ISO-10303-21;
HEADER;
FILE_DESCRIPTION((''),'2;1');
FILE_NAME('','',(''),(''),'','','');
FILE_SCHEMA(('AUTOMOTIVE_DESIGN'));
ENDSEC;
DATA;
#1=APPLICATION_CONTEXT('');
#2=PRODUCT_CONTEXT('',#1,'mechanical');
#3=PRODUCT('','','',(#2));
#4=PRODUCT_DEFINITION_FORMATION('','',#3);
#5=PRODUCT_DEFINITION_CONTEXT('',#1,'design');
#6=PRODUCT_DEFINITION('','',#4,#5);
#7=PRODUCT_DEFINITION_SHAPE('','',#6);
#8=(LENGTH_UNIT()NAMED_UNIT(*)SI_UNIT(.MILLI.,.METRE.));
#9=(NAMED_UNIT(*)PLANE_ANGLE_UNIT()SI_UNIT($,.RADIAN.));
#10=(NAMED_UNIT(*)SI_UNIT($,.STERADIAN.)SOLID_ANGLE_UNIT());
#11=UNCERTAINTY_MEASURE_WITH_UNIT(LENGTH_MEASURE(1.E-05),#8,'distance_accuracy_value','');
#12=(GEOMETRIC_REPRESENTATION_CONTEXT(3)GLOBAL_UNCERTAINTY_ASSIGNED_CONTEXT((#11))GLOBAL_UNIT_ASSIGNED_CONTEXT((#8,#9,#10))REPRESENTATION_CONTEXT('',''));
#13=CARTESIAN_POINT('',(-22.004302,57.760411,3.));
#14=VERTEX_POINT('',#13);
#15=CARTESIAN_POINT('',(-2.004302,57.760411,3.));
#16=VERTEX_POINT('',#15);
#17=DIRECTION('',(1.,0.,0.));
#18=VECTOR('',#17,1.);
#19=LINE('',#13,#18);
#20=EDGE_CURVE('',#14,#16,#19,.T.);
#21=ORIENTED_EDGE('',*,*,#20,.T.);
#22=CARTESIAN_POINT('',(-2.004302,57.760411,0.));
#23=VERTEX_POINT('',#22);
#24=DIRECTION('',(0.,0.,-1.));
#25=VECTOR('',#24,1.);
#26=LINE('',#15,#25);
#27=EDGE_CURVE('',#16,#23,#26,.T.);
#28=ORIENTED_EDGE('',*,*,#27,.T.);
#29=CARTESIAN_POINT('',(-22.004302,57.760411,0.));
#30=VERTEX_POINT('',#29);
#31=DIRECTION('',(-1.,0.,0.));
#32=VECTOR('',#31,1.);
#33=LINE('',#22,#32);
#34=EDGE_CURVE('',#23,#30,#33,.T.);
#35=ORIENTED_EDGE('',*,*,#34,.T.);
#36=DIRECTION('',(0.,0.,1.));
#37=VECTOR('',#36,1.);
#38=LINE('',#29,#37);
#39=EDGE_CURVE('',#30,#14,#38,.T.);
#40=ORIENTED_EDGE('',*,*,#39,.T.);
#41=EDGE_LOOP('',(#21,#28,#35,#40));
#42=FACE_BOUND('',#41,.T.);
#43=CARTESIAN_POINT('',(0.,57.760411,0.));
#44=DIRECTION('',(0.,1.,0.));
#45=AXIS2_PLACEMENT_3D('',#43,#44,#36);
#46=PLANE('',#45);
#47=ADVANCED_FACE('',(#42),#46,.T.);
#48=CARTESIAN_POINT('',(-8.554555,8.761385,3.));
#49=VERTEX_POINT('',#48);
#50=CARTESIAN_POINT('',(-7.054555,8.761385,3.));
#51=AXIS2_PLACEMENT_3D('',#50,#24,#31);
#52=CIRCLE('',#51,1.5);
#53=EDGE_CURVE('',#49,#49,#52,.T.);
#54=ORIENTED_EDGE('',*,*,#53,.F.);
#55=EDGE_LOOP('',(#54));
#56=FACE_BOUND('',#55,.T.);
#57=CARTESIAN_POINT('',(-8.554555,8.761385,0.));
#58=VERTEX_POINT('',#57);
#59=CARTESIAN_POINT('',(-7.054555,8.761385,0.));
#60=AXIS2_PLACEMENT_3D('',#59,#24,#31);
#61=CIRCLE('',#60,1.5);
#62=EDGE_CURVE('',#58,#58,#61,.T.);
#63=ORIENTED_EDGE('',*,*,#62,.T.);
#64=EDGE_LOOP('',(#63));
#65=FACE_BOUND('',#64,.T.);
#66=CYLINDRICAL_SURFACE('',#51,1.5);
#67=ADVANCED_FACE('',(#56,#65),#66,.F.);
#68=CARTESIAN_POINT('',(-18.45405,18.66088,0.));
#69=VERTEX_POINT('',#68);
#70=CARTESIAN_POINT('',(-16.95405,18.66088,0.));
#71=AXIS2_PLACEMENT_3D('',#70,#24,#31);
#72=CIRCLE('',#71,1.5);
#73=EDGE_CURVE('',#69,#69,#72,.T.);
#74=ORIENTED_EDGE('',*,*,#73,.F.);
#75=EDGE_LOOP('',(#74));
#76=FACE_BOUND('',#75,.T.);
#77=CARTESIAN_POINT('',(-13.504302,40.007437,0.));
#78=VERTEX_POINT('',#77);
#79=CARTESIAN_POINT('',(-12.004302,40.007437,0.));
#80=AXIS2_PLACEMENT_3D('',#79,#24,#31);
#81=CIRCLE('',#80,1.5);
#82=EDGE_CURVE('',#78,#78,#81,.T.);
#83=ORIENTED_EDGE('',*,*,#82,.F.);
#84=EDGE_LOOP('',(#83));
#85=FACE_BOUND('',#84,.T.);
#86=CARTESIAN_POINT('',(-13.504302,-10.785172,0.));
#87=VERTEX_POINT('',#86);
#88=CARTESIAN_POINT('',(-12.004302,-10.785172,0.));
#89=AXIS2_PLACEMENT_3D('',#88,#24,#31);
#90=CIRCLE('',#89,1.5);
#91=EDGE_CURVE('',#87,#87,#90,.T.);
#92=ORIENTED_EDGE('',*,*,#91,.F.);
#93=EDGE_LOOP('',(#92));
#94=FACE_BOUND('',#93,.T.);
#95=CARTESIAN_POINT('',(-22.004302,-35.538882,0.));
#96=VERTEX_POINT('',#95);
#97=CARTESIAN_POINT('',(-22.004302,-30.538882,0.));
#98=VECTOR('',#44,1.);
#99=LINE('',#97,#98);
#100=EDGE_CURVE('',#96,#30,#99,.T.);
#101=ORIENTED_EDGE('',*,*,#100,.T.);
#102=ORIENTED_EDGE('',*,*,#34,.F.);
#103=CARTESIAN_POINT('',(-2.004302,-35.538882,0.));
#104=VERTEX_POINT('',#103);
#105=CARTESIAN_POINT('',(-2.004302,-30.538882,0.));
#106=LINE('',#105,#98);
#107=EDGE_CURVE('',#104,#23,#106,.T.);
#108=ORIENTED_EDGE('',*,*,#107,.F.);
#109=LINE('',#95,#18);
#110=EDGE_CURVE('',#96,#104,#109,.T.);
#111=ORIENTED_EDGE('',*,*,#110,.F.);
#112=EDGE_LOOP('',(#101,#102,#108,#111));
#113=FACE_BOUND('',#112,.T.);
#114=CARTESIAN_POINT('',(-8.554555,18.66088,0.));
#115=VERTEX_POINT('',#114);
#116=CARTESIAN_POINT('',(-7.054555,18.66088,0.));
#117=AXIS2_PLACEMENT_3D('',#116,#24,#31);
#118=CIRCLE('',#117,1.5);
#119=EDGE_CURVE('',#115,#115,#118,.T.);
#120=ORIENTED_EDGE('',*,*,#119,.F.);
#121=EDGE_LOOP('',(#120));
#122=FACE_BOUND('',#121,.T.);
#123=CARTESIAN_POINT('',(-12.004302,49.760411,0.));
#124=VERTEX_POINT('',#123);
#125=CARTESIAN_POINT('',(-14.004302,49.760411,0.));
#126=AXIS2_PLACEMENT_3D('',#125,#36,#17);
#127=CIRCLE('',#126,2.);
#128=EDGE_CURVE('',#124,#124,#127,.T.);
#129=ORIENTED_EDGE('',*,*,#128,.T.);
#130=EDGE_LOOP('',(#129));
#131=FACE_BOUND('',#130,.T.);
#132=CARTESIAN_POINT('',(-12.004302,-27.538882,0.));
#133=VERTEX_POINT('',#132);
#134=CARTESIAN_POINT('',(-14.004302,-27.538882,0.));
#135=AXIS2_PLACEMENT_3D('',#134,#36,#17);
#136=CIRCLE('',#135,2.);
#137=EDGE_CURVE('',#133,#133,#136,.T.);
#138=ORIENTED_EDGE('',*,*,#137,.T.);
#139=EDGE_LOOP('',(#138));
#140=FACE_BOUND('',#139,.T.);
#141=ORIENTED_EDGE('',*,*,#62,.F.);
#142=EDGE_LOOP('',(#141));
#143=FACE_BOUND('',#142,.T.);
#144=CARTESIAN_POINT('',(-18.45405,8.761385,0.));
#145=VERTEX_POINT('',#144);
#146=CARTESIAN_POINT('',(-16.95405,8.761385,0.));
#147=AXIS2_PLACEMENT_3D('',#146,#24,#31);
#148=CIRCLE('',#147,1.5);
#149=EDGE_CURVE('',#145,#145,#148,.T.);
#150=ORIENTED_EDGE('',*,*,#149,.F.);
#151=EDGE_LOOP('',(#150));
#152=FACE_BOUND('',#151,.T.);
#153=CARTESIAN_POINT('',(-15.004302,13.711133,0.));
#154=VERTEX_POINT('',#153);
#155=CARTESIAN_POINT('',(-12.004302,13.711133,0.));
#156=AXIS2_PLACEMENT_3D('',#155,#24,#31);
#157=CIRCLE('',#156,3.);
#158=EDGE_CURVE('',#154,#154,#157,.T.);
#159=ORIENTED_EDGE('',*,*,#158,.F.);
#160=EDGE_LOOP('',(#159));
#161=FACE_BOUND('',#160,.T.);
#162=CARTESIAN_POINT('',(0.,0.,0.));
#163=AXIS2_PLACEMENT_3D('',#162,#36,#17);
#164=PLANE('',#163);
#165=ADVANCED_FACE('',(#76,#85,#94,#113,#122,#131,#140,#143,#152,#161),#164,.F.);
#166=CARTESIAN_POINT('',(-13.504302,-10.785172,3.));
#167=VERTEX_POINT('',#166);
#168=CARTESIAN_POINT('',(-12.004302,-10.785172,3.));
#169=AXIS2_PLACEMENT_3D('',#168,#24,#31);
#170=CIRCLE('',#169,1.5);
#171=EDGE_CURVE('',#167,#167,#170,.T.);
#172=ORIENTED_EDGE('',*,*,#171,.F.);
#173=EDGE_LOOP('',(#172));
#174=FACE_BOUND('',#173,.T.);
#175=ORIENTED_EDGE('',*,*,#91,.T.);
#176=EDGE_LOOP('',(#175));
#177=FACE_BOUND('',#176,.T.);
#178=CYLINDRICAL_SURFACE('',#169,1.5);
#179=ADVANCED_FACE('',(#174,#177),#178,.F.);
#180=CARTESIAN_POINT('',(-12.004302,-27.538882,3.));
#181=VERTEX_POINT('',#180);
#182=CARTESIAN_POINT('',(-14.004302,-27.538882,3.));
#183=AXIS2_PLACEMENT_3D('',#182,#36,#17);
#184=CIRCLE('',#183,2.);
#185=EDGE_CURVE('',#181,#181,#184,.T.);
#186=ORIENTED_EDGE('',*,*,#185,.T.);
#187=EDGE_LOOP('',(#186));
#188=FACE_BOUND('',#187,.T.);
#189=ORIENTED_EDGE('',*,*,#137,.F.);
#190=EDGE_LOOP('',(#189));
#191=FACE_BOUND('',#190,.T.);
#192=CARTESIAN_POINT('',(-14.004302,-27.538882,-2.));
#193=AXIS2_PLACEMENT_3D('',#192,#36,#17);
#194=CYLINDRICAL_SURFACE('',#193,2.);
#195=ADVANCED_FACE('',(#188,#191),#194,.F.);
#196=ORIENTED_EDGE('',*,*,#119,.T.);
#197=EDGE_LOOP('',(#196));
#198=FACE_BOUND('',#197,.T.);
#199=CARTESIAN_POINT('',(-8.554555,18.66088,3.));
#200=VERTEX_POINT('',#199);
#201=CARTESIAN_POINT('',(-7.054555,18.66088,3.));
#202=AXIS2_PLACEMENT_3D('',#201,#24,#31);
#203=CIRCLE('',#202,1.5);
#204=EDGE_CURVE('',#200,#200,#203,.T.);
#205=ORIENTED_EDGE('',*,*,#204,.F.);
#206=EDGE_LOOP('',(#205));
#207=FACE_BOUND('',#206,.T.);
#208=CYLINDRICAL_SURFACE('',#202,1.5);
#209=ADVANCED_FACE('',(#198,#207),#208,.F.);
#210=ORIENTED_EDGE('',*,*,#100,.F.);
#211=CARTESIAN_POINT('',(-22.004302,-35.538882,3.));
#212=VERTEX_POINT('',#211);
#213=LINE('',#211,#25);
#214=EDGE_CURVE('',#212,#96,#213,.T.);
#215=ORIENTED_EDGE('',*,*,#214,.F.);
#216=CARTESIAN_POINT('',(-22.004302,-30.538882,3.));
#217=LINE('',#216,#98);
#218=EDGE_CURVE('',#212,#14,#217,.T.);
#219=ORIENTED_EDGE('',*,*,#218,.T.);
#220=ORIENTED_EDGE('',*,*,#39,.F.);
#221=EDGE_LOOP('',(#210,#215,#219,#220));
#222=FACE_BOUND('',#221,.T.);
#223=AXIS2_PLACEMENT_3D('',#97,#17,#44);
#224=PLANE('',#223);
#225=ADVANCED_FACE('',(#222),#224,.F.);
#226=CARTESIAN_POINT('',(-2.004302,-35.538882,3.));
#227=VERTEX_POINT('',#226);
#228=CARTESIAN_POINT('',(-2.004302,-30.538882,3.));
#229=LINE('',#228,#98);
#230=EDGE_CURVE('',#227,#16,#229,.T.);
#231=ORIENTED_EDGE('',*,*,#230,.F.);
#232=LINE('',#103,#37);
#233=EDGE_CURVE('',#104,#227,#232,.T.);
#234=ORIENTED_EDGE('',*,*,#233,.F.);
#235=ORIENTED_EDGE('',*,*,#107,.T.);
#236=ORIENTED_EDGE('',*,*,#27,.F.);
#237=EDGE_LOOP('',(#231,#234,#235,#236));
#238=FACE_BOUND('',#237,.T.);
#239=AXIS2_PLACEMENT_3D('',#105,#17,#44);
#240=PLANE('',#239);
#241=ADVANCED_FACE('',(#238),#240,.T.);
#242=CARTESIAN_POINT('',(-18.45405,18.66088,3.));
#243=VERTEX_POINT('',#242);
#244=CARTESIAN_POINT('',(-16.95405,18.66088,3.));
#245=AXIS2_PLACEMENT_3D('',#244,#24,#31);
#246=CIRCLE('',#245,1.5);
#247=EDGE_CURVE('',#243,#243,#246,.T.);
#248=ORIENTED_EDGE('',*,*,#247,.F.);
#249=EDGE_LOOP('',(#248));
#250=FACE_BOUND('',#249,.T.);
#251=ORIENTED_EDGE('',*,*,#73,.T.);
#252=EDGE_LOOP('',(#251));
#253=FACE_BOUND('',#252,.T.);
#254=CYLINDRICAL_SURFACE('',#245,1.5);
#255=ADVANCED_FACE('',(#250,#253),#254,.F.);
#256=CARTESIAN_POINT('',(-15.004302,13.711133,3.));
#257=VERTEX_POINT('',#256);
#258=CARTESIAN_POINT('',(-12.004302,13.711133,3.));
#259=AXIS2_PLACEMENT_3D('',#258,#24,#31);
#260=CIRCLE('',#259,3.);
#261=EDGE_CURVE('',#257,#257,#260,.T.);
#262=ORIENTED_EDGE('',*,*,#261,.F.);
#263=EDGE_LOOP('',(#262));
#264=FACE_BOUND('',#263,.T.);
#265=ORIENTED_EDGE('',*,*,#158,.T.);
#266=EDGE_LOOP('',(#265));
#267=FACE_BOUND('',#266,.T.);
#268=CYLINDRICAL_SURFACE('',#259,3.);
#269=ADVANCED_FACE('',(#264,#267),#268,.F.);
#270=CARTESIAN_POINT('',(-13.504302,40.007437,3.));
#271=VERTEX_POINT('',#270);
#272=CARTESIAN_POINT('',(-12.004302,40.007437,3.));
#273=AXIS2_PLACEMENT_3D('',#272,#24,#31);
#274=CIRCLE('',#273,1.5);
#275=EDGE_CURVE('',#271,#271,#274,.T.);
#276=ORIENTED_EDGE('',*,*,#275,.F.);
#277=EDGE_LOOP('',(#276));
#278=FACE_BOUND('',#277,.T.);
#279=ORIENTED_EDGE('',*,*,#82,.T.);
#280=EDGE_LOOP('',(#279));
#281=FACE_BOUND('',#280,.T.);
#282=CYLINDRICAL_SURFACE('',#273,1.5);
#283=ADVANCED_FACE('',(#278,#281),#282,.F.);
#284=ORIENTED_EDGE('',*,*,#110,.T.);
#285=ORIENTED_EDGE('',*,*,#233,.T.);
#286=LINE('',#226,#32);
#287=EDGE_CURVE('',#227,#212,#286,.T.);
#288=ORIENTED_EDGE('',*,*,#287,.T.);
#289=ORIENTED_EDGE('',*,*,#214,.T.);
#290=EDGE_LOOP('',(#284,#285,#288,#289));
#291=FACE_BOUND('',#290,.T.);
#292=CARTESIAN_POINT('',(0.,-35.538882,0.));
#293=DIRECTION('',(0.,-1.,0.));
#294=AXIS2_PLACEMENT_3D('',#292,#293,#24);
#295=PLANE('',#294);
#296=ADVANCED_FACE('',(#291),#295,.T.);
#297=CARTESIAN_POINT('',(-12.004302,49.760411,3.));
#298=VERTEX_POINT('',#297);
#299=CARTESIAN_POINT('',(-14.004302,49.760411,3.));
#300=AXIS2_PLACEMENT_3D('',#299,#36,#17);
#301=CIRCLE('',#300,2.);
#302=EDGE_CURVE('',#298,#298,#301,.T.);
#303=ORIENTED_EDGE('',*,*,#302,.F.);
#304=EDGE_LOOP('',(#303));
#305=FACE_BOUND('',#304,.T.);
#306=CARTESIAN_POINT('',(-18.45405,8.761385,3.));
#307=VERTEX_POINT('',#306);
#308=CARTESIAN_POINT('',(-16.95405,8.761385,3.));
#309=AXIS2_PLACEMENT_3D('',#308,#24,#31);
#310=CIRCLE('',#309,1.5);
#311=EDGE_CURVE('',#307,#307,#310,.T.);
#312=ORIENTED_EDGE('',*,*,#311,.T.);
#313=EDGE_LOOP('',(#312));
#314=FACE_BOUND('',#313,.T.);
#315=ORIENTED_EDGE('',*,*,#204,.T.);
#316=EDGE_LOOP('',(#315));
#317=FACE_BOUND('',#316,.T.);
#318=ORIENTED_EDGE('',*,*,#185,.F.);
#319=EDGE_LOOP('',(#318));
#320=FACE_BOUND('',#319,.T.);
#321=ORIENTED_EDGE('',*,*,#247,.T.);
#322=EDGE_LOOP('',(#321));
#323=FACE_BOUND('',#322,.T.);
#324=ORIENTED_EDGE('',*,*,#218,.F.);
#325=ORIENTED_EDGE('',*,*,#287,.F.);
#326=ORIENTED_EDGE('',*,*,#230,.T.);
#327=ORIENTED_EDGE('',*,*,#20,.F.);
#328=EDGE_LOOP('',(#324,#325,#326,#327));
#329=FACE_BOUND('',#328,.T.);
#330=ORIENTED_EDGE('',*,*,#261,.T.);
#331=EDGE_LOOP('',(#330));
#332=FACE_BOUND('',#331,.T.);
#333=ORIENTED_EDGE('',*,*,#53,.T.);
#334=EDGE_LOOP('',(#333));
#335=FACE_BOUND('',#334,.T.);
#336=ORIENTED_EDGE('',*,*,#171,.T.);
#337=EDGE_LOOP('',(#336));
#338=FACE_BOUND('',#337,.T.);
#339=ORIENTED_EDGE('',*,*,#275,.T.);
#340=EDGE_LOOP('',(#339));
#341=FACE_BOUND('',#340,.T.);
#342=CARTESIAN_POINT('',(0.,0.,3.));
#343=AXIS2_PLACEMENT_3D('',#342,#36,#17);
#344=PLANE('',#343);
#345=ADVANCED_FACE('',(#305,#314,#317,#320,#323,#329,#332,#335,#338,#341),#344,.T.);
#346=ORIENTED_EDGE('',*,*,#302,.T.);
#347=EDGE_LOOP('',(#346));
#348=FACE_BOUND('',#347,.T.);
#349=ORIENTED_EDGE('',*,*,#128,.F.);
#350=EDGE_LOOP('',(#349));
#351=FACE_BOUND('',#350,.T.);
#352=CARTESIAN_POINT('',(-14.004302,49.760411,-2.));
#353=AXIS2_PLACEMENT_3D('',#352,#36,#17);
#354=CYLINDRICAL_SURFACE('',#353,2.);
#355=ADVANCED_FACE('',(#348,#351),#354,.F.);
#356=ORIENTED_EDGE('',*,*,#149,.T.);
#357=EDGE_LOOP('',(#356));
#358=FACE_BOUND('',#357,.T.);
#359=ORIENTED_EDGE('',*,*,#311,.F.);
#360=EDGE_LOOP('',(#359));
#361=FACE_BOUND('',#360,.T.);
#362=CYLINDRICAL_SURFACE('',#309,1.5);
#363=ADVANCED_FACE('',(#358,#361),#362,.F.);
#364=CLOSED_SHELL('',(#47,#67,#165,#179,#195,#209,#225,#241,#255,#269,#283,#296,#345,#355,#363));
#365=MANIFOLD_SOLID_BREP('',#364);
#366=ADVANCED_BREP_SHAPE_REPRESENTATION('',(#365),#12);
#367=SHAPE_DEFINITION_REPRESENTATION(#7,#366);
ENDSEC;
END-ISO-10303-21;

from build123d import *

# Parameters (mm, degrees)
SKETCH_1_W           = 170.943732818
SKETCH_1_H           = 105.520822726
EXTRUDE_1_DEPTH      = 3
SKETCH_3_OUTSIDE_W   = 213.126
SKETCH_3_OUTSIDE_H   = 147.702
SKETCH_3_OUTSIDE_W_2 = 20
SKETCH_3_OUTSIDE_H_2 = 88.50002898
CUT_EXTRUDE_1_DEPTH  = 101.489307663
SKETCH_2_R           = 1.5
SKETCH_2_R_2         = 3
CUT_EXTRUDE_2_DEPTH  = 58.243779886
SKETCH_4_R           = 1.5
CUT_EXTRUDE_3_DEPTH  = 58.243779886
SKETCH_9_W           = 20
SKETCH_9_H           = 3
EXTRUDE_3_DEPTH      = 5
SKETCH_10_W          = 20
SKETCH_10_H          = 3
EXTRUDE_4_DEPTH      = 5
SKETCH_11_R          = 2
CUT_EXTRUDE_4_DEPTH  = 5


with BuildPart() as part:
    # 草图1 → 凸台-拉伸1 (new body)
    with BuildSketch(Plane.XY):
        Rectangle(SKETCH_1_W, SKETCH_1_H)
    extrude(amount=EXTRUDE_1_DEPTH)

    # 草图3 outside → 切除-拉伸1 (cut, through all)
    with BuildSketch(Plane.XY.offset(3)):
        Rectangle(SKETCH_3_OUTSIDE_W, SKETCH_3_OUTSIDE_H)
        with Locations((-12.004302498, 13.711132511)):
            Rectangle(SKETCH_3_OUTSIDE_W_2, SKETCH_3_OUTSIDE_H_2, mode=Mode.SUBTRACT)
    extrude(amount=-CUT_EXTRUDE_1_DEPTH, mode=Mode.SUBTRACT)

    # 草图2 → 切除-拉伸2 (cut, through all)
    with BuildSketch(Plane(origin=(0, 0, 0), x_dir=(-1, 0, 0), z_dir=(0, 0, -1))):
        with Locations((7.05455503, 18.660879979)):
            Circle(SKETCH_2_R)
        with Locations((16.954049967, 18.660879979)):
            Circle(SKETCH_2_R)
        with Locations((16.954049967, 8.761385043)):
            Circle(SKETCH_2_R)
        with Locations((7.05455503, 8.761385043)):
            Circle(SKETCH_2_R)
        with Locations((12.004302498, 13.711132511)):
            Circle(SKETCH_2_R_2)
    extrude(amount=-CUT_EXTRUDE_2_DEPTH, mode=Mode.SUBTRACT)

    # 草图4 → 切除-拉伸3 (cut, through all)
    with BuildSketch(Plane(origin=(0, 0, 0), x_dir=(-1, 0, 0), z_dir=(0, 0, -1))):
        with Locations((12.004302498, 40.007436866)):
            Circle(SKETCH_4_R)
        with Locations((12.004302498, -10.785171844)):
            Circle(SKETCH_4_R)
    extrude(amount=-CUT_EXTRUDE_3_DEPTH, mode=Mode.SUBTRACT)

    # 草图9 → 凸台-拉伸3 (add)
    with BuildSketch(Plane(origin=(0, 52.760411363, 0), x_dir=(1, 0, 0), z_dir=(0, 1, 0))):
        with Locations((-12.004302498, -1.5)):
            Rectangle(SKETCH_9_W, SKETCH_9_H)
    extrude(amount=EXTRUDE_3_DEPTH)

    # 草图10 → 凸台-拉伸4 (add)
    with BuildSketch(Plane.XZ.offset(30.538881979)):
        with Locations((-12.004302498, 1.5)):
            Rectangle(SKETCH_10_W, SKETCH_10_H)
    extrude(amount=EXTRUDE_4_DEPTH)

    # 草图11 → 切除-拉伸4 (cut)
    with BuildSketch(Plane.XY.offset(3)):
        with Locations((-14.004302498, 49.760411363)):
            Circle(SKETCH_11_R)
        with Locations((-14.004302498, -27.538881979)):
            Circle(SKETCH_11_R)
    extrude(amount=-CUT_EXTRUDE_4_DEPTH, mode=Mode.SUBTRACT)


solid = part.part
